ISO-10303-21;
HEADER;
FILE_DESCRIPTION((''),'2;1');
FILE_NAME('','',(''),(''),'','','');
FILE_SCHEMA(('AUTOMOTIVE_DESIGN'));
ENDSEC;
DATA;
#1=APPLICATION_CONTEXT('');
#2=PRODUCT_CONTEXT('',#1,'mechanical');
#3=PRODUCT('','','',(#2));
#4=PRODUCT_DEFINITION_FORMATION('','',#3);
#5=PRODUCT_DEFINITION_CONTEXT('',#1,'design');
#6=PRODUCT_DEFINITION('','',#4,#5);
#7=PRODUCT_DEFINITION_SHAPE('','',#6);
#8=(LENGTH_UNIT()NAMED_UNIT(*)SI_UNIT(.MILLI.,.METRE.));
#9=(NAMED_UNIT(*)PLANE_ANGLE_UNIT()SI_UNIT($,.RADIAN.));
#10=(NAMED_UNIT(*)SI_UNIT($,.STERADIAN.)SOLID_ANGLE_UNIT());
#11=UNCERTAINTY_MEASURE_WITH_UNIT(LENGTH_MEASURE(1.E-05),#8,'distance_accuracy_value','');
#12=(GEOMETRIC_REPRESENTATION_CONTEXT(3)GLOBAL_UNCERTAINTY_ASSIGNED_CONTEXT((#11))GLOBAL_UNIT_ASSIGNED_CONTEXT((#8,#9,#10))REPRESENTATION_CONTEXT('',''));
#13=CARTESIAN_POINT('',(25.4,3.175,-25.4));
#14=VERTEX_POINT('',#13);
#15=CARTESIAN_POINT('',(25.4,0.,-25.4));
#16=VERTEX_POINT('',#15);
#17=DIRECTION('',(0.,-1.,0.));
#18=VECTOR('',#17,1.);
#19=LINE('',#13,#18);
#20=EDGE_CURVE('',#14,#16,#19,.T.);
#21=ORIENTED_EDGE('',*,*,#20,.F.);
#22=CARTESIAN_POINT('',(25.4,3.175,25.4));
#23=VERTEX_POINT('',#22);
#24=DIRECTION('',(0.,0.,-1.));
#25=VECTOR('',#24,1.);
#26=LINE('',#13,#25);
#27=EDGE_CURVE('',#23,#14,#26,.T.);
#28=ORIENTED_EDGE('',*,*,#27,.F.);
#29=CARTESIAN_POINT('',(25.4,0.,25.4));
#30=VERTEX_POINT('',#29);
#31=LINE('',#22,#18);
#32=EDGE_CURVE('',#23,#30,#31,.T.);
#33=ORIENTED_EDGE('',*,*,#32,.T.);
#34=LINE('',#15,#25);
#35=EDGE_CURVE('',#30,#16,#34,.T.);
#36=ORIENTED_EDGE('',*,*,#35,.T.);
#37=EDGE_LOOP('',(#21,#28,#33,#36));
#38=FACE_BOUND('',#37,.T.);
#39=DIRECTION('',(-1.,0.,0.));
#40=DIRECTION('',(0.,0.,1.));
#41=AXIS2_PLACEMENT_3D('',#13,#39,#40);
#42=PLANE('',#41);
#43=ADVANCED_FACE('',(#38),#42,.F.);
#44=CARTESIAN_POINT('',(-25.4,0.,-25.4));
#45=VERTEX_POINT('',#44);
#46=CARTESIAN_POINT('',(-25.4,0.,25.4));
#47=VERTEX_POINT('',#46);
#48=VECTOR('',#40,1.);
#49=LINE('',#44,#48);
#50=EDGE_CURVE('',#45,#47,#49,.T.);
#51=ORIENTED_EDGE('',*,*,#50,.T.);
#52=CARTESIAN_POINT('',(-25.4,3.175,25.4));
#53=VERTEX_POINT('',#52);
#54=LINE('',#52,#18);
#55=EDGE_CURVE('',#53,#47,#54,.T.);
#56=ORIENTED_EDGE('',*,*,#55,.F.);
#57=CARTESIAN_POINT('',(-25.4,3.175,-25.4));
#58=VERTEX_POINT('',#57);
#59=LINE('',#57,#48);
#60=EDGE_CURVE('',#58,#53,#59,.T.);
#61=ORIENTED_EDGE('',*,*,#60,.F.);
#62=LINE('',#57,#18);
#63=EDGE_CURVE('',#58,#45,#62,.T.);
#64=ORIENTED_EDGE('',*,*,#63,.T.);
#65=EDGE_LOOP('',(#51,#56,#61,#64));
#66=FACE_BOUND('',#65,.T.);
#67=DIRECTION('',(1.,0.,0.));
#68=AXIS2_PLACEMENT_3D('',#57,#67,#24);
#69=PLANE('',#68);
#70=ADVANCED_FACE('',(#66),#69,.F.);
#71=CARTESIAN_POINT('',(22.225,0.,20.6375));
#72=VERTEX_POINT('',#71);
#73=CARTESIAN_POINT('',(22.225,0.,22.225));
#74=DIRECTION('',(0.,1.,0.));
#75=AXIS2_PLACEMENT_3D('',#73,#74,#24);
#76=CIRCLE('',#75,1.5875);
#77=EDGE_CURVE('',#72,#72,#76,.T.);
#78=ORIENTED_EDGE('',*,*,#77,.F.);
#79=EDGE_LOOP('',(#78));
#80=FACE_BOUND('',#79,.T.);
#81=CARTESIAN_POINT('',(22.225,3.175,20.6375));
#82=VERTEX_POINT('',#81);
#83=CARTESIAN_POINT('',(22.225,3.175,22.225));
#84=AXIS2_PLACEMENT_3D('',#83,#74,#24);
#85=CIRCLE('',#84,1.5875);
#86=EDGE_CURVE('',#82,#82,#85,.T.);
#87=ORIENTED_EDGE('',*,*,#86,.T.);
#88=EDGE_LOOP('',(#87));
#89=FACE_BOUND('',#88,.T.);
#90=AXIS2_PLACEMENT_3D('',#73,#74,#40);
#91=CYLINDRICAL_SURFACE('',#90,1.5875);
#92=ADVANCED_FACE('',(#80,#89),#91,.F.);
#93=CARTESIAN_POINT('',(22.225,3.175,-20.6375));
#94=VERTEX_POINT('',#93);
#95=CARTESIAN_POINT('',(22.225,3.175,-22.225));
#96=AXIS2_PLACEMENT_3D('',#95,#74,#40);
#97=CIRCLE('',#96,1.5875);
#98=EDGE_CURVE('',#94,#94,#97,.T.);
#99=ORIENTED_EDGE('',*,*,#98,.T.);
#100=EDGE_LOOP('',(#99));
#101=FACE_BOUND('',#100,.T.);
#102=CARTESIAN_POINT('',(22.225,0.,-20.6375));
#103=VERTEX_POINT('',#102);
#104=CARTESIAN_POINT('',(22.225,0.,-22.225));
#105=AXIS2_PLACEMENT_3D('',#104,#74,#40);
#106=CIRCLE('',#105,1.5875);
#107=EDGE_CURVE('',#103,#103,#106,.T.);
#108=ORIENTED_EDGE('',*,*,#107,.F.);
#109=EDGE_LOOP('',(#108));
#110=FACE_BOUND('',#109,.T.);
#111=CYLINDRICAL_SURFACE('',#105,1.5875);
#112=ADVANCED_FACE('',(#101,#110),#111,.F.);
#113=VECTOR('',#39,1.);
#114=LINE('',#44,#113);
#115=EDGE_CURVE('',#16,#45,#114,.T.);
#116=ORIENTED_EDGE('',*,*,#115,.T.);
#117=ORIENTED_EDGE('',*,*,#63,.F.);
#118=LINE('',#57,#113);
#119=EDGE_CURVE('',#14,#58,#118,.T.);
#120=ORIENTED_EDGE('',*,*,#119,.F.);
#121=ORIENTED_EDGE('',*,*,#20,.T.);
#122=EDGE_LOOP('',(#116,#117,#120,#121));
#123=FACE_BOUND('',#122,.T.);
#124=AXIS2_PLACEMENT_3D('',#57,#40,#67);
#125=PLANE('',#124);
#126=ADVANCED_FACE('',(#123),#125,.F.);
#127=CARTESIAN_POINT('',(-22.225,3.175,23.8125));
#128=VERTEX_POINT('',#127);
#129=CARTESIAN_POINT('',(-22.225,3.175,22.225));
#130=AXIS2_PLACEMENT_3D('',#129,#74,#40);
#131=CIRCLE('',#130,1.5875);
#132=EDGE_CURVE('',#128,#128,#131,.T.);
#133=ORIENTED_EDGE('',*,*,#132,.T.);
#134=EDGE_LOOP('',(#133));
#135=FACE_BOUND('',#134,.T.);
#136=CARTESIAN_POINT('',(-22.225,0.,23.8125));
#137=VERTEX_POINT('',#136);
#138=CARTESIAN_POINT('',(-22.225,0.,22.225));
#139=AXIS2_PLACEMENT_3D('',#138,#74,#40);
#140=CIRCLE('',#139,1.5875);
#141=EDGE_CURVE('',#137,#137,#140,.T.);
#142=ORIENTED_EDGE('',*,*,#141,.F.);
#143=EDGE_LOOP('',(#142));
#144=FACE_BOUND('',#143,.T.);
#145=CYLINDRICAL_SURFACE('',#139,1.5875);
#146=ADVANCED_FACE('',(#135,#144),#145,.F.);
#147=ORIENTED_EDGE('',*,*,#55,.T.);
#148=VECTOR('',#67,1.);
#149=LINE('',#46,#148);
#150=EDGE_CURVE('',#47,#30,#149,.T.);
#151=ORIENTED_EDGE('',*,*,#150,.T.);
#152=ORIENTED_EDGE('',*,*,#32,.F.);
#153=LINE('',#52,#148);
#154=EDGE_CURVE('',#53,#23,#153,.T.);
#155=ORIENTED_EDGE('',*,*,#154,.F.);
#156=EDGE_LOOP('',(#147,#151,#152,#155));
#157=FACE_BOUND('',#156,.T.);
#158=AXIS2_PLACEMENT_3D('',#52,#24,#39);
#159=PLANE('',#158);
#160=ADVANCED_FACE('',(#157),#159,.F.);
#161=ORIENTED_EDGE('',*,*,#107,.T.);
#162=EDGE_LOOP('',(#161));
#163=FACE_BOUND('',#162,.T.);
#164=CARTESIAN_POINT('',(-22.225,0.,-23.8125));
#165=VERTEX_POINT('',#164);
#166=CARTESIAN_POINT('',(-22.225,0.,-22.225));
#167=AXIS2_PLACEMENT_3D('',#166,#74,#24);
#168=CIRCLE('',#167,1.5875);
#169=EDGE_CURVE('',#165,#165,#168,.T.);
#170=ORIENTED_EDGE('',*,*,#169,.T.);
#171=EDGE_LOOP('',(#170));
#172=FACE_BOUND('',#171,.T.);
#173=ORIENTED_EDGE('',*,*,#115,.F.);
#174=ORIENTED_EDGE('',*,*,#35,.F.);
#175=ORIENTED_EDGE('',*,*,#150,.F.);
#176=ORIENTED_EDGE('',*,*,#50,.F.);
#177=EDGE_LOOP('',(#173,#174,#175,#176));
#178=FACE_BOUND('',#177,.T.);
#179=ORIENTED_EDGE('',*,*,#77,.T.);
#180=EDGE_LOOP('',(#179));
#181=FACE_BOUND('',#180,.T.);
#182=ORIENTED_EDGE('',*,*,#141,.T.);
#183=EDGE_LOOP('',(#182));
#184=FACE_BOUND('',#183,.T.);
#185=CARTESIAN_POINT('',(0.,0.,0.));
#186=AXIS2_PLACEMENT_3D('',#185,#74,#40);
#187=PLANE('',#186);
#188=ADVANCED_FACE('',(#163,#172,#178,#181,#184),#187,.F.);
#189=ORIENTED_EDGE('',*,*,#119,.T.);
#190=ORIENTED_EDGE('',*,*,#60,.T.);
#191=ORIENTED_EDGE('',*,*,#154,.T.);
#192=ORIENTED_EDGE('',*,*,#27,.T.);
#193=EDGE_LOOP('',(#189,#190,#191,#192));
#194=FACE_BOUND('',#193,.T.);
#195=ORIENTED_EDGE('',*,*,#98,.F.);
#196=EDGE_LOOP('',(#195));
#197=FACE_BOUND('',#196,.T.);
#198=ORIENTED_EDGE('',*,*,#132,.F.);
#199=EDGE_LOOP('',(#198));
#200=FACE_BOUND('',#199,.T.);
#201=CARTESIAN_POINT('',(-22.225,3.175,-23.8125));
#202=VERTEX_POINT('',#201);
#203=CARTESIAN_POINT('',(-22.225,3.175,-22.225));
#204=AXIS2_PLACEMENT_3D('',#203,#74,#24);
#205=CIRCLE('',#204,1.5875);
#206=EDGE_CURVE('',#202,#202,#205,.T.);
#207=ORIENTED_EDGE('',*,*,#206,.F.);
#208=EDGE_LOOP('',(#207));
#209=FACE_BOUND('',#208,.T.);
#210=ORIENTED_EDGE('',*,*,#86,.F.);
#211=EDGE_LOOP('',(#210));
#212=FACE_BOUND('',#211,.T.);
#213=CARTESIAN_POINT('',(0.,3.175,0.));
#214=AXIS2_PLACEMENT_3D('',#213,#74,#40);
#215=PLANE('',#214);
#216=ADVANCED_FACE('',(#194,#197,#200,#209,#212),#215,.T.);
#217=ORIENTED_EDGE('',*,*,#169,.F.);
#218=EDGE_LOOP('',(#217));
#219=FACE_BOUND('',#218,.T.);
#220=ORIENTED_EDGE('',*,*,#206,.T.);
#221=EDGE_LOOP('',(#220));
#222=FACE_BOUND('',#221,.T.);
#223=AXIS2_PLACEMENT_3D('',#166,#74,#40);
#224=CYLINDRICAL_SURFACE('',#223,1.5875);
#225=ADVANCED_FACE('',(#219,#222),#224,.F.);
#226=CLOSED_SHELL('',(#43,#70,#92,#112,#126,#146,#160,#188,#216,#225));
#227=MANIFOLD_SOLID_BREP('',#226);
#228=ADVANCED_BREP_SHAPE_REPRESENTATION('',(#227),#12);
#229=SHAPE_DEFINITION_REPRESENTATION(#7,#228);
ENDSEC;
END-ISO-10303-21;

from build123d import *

# Parameters (mm, degrees)
SKETCH1_W           = 50.8
SKETCH1_H           = 50.8
BOSS_EXTRUDE1_DEPTH = 3.175
SKETCH2_R           = 1.5875
CUT_EXTRUDE1_DEPTH  = 37.061067996


with BuildPart() as part:
    # Sketch1 → Boss-Extrude1 (new body)
    with BuildSketch(Plane(origin=(0, 0, 0), x_dir=(1, 0, 0), z_dir=(0, 1, 0))):
        Rectangle(SKETCH1_W, SKETCH1_H)
    extrude(amount=BOSS_EXTRUDE1_DEPTH)

    # Sketch2 → Cut-Extrude1 (cut, through all)
    with BuildSketch(Plane(origin=(0, 3.175, 0), x_dir=(1, 0, 0), z_dir=(0, 1, 0))):
        with Locations(Location((-22.225, -22.225, 0), (0, 0, 270))):
            Circle(SKETCH2_R)
        with Locations(Location((22.225, -22.225, 0), (0, 0, 90))):
            Circle(SKETCH2_R)
        with Locations(Location((22.225, 22.225, 0), (0, 0, 270))):
            Circle(SKETCH2_R)
        with Locations(Location((-22.225, 22.225, 0), (0, 0, 90))):
            Circle(SKETCH2_R)
    extrude(amount=-CUT_EXTRUDE1_DEPTH, mode=Mode.SUBTRACT)


solid = part.part
